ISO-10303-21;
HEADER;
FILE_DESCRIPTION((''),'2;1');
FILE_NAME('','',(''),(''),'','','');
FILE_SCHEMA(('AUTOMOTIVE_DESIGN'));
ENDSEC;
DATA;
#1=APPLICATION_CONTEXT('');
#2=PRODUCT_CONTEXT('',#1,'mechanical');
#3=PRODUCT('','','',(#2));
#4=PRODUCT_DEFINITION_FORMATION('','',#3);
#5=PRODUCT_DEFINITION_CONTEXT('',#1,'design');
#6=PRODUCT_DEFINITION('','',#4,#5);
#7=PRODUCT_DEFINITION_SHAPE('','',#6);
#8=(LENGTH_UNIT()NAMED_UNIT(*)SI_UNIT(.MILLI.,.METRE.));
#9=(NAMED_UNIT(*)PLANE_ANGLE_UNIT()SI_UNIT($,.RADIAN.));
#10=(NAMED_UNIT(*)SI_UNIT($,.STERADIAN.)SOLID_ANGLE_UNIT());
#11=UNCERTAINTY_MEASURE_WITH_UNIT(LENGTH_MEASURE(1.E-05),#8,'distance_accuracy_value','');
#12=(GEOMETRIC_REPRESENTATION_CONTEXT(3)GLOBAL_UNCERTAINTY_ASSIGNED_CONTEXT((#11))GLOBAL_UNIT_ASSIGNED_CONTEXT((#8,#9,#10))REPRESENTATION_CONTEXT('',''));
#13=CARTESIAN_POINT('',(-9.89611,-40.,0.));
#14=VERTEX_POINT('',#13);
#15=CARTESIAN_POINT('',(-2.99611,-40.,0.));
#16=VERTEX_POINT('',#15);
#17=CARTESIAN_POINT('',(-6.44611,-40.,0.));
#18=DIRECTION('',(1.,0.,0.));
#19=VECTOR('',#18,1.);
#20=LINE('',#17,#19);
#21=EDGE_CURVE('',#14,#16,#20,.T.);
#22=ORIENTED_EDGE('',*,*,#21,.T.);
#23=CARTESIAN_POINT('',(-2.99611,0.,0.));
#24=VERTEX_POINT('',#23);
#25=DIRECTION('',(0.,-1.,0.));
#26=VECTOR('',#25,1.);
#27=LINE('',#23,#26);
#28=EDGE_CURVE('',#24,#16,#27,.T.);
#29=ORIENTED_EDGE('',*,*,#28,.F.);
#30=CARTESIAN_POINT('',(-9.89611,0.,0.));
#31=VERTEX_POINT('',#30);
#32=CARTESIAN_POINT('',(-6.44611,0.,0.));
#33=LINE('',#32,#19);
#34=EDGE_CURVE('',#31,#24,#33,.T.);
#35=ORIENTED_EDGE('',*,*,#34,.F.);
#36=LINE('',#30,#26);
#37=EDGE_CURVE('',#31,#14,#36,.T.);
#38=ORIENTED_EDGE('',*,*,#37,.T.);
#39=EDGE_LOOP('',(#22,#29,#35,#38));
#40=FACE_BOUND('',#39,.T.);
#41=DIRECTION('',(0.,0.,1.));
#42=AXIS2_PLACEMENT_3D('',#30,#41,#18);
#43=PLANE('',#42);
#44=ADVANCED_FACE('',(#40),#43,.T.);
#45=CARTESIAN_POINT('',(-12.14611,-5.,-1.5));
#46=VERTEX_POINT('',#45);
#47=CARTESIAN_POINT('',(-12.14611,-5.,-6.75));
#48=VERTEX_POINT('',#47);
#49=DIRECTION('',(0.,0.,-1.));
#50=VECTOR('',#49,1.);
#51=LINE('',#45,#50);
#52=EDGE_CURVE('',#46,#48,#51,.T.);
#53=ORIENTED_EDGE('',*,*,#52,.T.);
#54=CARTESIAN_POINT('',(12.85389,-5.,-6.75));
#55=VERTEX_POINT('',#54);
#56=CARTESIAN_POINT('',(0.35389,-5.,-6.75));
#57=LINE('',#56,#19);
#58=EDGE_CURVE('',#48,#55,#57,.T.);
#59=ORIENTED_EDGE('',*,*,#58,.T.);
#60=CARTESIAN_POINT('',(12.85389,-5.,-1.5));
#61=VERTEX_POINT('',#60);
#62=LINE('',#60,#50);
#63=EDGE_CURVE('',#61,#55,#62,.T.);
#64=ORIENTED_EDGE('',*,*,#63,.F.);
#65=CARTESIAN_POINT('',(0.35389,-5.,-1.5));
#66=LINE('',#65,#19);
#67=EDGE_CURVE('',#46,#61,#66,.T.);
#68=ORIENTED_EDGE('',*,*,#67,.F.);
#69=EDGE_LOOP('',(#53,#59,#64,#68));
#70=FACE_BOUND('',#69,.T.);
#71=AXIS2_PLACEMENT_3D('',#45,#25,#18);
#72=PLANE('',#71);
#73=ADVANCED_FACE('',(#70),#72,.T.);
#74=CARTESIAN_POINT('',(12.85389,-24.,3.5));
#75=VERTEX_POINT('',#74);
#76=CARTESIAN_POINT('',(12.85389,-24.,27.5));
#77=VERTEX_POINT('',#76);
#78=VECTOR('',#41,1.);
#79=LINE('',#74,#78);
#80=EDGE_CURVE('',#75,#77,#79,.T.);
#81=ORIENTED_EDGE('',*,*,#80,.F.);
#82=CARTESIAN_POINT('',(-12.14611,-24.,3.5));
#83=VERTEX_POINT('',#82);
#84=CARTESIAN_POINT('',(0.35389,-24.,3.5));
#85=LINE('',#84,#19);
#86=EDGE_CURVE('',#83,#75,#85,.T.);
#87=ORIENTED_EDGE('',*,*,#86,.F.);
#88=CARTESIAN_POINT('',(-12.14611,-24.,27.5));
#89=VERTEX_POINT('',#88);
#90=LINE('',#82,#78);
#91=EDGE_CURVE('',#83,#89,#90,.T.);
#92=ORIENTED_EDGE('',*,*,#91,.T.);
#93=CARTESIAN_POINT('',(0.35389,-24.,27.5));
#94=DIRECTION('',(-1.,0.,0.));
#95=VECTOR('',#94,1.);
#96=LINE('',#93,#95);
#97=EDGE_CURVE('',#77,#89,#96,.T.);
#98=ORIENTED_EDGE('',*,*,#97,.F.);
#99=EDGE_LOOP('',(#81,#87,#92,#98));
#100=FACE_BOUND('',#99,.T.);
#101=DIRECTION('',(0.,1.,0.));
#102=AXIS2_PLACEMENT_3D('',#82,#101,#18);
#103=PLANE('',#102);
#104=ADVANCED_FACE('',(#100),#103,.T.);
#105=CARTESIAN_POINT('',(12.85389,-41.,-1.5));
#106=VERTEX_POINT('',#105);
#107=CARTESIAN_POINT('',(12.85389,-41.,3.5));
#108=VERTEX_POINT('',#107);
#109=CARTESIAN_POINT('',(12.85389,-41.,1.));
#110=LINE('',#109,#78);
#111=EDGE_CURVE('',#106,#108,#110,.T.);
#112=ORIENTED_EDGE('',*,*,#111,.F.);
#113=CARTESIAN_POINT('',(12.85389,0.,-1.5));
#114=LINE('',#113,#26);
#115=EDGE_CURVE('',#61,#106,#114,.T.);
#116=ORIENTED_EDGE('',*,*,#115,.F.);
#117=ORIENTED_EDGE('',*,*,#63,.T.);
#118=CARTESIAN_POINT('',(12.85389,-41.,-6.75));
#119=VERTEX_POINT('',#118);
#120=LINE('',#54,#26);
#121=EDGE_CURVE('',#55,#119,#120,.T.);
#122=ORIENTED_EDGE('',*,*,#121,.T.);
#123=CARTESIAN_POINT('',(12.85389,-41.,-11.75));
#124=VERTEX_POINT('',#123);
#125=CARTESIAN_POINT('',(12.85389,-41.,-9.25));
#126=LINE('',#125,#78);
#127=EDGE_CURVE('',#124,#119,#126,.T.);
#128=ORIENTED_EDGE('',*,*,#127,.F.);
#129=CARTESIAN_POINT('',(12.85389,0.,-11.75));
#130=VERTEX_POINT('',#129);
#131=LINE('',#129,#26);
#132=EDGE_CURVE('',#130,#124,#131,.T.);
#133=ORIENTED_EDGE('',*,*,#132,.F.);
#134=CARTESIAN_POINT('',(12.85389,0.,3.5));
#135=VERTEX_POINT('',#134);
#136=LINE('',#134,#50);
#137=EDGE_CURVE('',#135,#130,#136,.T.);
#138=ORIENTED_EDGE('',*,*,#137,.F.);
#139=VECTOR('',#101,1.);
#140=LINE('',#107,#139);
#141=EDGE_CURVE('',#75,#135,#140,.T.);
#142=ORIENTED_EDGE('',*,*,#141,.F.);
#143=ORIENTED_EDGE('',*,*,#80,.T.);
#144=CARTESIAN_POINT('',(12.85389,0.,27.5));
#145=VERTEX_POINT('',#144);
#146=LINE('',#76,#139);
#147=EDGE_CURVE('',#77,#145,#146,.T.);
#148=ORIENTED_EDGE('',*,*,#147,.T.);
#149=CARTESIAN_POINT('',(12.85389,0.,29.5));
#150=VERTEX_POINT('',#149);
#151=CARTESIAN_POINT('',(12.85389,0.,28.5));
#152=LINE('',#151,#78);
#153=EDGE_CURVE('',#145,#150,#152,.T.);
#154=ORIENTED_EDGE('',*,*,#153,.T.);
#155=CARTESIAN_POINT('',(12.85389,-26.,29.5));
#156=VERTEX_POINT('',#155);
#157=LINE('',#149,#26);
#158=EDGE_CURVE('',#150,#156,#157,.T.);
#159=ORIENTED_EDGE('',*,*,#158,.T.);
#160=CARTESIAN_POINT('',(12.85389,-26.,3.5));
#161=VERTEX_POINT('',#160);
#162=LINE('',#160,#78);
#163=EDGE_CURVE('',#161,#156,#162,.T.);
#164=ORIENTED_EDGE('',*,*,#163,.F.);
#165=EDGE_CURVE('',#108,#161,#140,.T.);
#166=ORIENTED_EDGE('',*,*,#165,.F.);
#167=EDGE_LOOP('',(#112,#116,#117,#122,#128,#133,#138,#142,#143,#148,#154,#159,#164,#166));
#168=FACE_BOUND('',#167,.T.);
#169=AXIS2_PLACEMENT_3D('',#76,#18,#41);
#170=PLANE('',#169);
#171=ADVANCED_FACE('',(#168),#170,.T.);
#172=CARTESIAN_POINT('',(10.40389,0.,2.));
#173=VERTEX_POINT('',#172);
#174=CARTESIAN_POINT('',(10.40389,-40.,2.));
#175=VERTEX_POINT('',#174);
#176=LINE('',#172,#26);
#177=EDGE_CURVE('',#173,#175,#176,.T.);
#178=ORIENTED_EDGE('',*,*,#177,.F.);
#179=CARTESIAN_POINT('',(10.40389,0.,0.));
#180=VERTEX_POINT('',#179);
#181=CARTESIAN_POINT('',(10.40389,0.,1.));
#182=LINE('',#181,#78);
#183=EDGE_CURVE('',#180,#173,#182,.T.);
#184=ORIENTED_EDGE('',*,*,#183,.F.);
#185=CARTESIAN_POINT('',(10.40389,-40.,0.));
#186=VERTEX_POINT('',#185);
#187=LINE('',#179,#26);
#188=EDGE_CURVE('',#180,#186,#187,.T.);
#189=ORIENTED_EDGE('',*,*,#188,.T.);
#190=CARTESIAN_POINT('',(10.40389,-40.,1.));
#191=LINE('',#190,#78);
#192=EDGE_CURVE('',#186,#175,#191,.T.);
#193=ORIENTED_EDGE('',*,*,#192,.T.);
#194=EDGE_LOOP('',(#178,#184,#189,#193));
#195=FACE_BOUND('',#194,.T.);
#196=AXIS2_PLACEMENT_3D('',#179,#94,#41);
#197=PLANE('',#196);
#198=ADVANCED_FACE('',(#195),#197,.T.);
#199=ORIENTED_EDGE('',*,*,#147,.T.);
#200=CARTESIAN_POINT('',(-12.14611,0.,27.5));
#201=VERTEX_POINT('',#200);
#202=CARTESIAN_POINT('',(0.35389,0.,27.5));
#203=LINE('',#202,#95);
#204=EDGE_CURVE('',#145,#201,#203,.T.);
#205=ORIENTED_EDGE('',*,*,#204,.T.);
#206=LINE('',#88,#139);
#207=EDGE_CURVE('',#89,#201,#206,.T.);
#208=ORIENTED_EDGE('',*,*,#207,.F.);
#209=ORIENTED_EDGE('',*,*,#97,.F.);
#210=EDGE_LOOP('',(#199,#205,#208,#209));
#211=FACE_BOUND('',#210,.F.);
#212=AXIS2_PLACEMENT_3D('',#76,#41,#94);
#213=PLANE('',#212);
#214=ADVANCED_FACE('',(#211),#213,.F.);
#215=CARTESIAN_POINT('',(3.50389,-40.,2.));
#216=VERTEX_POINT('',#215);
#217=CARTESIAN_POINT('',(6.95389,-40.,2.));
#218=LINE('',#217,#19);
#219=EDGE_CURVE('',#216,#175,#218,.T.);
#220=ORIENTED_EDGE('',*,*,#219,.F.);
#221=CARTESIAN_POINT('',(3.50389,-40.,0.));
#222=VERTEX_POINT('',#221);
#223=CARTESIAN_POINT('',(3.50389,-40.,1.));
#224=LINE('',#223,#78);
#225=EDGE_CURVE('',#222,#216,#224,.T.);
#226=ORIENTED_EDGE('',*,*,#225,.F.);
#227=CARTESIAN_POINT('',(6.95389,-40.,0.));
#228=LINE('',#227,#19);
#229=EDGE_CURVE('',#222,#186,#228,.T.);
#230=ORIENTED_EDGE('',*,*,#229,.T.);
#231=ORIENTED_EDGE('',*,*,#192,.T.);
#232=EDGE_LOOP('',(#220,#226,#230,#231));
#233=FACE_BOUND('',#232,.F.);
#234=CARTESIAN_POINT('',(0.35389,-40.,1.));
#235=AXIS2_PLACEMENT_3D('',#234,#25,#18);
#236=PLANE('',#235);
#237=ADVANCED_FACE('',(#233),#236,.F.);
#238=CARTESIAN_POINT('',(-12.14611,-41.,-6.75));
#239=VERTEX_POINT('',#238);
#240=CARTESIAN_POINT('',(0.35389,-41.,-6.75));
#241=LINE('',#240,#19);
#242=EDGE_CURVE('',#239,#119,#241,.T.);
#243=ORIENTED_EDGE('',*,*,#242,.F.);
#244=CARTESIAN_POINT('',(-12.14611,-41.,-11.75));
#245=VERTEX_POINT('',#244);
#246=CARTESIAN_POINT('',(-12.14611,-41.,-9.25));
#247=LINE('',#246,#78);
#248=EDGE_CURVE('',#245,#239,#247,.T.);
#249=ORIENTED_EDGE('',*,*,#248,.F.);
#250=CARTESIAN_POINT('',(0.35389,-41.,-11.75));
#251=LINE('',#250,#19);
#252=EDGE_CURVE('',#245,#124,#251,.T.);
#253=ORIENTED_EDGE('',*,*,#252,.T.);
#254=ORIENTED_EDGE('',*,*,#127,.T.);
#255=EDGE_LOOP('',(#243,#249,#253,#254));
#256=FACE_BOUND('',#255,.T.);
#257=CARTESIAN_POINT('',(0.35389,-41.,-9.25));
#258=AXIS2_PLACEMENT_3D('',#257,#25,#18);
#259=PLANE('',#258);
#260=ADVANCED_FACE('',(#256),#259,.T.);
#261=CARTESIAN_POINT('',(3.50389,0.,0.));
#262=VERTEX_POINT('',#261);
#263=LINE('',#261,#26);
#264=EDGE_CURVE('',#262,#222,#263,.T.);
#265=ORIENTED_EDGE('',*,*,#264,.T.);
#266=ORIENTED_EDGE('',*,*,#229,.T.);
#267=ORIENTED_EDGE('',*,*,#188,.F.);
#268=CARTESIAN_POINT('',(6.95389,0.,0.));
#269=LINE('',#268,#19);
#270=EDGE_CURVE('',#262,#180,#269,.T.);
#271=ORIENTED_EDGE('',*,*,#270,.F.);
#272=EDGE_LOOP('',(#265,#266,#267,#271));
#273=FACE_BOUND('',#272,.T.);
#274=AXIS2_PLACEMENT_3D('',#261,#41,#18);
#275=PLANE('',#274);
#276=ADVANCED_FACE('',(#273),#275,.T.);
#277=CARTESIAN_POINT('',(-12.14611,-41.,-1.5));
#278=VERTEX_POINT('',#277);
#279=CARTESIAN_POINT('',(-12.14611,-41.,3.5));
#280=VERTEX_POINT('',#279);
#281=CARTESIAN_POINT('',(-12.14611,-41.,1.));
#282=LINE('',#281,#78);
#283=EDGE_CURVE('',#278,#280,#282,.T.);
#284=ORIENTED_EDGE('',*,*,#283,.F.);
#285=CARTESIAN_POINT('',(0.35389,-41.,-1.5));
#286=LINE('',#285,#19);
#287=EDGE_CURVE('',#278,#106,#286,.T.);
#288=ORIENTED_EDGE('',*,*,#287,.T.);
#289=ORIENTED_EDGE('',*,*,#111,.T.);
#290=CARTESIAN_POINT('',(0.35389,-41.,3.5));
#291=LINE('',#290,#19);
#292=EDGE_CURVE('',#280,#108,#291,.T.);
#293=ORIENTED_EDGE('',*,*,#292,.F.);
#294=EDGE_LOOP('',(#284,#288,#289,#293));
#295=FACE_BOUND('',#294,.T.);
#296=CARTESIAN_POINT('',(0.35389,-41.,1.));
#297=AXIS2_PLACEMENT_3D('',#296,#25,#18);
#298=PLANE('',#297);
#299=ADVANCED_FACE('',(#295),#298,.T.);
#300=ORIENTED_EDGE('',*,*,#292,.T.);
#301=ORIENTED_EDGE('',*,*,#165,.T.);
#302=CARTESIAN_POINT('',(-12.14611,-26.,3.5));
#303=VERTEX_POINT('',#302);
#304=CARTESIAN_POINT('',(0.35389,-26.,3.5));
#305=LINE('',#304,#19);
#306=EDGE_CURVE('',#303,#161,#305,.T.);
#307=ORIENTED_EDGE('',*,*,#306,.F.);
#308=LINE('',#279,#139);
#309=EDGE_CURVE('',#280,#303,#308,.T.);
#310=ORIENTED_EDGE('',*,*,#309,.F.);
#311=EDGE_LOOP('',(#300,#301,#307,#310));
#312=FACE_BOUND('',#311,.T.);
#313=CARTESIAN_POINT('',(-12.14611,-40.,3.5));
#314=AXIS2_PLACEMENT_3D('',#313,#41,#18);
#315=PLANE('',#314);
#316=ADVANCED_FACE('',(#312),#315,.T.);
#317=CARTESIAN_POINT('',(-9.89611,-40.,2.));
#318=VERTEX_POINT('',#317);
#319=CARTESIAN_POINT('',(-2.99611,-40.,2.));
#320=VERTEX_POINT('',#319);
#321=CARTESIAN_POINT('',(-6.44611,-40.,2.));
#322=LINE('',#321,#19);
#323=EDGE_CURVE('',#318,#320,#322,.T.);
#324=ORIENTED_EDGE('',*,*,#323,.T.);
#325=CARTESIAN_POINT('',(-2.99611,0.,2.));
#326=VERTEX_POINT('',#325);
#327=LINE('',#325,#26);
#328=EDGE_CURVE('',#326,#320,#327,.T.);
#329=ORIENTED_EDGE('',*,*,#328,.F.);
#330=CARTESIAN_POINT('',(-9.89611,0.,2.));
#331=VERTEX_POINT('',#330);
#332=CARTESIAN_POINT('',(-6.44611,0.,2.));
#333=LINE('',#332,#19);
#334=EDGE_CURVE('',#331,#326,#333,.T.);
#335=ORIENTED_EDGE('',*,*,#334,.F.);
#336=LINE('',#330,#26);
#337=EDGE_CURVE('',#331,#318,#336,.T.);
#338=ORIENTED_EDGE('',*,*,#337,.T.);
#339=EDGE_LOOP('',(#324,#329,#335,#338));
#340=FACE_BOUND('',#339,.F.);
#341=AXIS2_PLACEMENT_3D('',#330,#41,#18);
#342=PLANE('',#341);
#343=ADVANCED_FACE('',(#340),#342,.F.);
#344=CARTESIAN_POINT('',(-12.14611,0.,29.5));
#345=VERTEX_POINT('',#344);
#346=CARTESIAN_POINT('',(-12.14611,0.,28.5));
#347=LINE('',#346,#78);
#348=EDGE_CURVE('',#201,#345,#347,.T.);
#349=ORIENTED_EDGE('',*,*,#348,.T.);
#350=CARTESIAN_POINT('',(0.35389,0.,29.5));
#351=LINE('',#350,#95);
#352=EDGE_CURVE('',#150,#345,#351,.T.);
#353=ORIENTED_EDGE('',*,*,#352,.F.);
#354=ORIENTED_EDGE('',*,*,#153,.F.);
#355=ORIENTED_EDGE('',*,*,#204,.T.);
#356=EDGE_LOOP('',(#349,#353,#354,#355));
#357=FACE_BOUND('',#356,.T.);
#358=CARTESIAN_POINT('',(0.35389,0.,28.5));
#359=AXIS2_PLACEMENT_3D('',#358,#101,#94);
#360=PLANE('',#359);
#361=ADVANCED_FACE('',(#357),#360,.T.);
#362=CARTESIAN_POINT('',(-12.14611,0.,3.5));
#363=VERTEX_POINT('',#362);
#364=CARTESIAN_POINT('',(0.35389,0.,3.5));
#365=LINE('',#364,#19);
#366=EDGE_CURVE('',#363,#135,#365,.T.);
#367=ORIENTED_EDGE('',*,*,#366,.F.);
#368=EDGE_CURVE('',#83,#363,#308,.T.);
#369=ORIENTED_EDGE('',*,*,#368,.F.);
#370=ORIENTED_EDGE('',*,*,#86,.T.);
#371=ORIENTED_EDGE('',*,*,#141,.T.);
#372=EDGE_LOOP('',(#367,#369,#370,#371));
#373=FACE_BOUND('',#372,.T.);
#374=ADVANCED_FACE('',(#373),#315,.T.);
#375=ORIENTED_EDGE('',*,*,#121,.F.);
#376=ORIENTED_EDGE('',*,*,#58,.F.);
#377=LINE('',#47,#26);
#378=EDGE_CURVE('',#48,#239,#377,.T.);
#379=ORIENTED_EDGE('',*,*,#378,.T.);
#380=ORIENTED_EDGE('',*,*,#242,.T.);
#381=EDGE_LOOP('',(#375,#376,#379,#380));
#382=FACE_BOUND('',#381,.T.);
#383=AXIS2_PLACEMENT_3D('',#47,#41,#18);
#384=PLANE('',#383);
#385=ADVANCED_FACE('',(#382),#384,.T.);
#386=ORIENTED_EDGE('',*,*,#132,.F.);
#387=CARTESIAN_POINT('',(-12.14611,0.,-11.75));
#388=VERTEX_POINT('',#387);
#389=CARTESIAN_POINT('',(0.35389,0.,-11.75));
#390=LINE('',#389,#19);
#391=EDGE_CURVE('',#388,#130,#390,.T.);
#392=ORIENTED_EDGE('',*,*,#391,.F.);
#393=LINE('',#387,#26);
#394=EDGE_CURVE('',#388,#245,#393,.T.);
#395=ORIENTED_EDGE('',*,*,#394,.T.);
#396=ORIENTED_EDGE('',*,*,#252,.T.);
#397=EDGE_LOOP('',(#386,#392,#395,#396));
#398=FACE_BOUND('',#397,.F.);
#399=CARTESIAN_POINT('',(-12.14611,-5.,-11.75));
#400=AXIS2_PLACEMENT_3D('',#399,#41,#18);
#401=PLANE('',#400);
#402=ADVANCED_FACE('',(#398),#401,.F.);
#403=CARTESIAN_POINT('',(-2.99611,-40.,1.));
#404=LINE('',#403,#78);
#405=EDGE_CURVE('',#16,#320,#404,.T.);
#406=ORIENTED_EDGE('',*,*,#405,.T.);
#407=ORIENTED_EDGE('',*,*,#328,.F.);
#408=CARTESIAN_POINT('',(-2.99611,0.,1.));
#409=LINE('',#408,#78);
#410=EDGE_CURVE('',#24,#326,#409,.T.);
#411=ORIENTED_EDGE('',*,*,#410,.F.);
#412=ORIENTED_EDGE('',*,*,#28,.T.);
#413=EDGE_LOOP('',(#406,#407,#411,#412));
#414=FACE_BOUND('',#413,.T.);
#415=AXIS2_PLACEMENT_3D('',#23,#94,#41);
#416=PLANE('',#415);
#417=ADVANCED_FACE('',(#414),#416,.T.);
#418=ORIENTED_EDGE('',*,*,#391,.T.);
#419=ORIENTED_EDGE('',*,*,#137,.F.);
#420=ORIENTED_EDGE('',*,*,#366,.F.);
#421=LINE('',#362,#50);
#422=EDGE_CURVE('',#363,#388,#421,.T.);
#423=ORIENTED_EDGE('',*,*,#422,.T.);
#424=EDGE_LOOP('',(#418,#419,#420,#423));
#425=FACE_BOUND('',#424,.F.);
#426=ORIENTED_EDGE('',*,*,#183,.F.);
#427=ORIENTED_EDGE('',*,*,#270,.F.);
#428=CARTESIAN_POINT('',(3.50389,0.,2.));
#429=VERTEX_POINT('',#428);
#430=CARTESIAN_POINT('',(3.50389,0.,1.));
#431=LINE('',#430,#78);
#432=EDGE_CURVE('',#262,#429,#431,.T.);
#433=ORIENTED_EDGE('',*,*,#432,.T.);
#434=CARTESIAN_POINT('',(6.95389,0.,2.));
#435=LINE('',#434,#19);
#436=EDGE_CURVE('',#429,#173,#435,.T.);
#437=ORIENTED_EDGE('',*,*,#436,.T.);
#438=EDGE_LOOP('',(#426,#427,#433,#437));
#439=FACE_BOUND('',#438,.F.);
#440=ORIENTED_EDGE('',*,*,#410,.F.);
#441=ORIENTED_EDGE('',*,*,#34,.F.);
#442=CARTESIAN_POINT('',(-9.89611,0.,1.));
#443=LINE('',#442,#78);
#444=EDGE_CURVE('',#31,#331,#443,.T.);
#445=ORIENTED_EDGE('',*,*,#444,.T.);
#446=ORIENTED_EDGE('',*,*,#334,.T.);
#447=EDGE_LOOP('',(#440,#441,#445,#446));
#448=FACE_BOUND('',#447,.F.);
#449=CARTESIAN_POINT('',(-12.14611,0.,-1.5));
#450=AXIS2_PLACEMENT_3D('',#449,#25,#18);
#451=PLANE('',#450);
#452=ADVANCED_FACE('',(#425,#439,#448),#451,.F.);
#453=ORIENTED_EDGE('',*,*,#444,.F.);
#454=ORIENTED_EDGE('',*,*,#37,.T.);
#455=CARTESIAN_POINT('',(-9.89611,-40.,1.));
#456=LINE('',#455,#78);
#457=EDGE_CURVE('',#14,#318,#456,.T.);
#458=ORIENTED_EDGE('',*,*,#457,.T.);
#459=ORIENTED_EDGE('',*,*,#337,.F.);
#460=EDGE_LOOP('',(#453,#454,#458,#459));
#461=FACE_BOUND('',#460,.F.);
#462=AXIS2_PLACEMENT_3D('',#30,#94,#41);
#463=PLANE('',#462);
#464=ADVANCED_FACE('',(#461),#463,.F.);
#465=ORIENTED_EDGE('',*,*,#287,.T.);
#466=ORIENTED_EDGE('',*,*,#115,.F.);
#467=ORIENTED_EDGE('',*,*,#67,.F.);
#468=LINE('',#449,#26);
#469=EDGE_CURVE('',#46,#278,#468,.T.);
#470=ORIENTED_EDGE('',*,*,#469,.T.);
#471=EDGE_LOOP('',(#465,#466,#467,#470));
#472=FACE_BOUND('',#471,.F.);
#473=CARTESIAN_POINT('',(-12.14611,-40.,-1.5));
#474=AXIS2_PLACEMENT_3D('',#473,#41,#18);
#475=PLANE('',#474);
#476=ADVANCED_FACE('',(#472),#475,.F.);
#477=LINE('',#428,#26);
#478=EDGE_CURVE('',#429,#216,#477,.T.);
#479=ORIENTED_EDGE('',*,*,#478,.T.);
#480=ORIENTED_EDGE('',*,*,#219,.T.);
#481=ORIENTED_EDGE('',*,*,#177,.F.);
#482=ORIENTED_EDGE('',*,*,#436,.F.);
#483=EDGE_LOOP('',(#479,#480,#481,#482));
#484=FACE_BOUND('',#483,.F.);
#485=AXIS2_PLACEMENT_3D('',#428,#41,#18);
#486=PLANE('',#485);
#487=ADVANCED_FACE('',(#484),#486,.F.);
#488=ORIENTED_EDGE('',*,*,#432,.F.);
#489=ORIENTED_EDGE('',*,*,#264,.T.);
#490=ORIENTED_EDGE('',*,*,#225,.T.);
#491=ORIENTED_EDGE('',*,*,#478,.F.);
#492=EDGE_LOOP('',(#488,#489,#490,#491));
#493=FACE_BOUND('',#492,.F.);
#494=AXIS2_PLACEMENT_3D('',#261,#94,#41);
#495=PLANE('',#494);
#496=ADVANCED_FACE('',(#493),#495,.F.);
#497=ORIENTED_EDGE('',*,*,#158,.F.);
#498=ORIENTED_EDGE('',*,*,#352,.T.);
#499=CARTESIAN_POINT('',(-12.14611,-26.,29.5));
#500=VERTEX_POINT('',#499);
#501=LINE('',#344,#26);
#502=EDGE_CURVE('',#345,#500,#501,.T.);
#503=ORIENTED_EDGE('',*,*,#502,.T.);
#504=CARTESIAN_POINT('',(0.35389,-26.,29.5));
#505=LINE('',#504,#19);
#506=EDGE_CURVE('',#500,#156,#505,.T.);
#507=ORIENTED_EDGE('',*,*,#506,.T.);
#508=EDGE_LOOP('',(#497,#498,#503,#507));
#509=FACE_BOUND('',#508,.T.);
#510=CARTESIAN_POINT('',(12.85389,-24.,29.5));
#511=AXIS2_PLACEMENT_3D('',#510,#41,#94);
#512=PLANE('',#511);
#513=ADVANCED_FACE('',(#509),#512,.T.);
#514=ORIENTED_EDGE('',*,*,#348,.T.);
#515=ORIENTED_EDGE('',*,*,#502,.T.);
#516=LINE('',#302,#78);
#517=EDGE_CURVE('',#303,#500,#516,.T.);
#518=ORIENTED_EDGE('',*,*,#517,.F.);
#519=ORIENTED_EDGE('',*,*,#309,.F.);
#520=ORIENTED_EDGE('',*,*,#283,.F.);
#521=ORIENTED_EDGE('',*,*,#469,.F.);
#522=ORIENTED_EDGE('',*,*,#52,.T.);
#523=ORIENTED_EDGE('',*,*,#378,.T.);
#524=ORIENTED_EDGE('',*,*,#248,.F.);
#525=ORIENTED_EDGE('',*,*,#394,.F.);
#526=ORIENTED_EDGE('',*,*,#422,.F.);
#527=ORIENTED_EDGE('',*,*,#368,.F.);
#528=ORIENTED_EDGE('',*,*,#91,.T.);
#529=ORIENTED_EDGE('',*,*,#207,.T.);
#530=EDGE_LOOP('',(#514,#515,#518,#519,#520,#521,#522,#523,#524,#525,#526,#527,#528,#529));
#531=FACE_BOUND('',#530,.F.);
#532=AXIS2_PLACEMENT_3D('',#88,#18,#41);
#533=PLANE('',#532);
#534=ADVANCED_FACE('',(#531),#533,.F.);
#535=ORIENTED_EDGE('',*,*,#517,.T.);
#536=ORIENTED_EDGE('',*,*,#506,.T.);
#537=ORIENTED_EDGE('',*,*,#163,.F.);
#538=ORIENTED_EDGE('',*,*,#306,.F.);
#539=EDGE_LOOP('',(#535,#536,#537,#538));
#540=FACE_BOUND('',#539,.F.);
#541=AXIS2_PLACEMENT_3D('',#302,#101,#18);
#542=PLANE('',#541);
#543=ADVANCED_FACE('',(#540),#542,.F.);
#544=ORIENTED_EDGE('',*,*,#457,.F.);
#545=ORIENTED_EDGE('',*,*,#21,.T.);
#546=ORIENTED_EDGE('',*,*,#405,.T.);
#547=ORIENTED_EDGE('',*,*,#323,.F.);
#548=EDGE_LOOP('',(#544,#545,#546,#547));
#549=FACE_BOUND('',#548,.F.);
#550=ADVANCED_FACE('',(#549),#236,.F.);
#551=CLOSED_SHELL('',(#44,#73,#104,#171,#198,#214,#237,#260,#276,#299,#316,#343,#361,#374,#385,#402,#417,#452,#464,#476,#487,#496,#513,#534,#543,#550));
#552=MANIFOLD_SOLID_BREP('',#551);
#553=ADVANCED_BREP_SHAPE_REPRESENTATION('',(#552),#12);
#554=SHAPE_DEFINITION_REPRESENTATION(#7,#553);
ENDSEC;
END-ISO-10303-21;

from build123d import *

# Parameters (mm, degrees)
F0_W      = 25
F0_H      = 5
F0_W_2    = 6.9
F0_H_2    = 2
F1_DEPTH  = 40
F2_W      = 25
F2_H      = 5
F3_DEPTH  = 1
F4_W      = 25
F4_H      = 5
F5_DEPTH  = 10.25
F6_W      = 25
F6_H      = 5
F7_DEPTH  = 36
F8_W      = 25
F8_H      = 2
F9_DEPTH  = 26
F10_W     = 25
F10_H     = 2
F11_DEPTH = 24


with BuildPart() as f1:
    # F0 (on Front) → F1 (new body)
    with BuildSketch(Plane.XZ):
        with Locations((0.35389, 1)):
            Rectangle(F0_W, F0_H)
        with Locations((-6.44611, 1)):
            Rectangle(F0_W_2, F0_H_2, mode=Mode.SUBTRACT)
        with Locations((6.95389, 1)):
            Rectangle(F0_W_2, F0_H_2, mode=Mode.SUBTRACT)
    extrude(amount=F1_DEPTH)

    # F2 (on face) → F3 (join)
    with BuildSketch(Plane.XZ.offset(40)):
        with Locations((0.35389, 1)):
            Rectangle(F2_W, F2_H)
    extrude(amount=F3_DEPTH)

    # F4 (on face) → F5 (join)
    with BuildSketch(Plane(origin=(0, 0, -1.5), x_dir=(1, 0, 0), z_dir=(0, 0, -1))):
        with Locations((0.35389, 2.5)):
            Rectangle(F4_W, F4_H)
    extrude(amount=F5_DEPTH)

    # F6 (on face) → F7 (join)
    with BuildSketch(Plane.XZ.offset(5)):
        with Locations((0.35389, -9.25)):
            Rectangle(F6_W, F6_H)
    extrude(amount=F7_DEPTH)

    # F8 (on face) → F9 (join)
    with BuildSketch(Plane.XY.offset(3.5)):
        with Locations((0.35389, -25)):
            Rectangle(F8_W, F8_H)
    extrude(amount=F9_DEPTH)

    # F10 (on face) → F11 (join)
    with BuildSketch(Plane(origin=(0, -24, 0), x_dir=(-1, 0, 0), z_dir=(0, 1, 0))):
        with Locations((-0.35389, 28.5)):
            Rectangle(F10_W, F10_H)
    extrude(amount=F11_DEPTH)


solid = f1.part
